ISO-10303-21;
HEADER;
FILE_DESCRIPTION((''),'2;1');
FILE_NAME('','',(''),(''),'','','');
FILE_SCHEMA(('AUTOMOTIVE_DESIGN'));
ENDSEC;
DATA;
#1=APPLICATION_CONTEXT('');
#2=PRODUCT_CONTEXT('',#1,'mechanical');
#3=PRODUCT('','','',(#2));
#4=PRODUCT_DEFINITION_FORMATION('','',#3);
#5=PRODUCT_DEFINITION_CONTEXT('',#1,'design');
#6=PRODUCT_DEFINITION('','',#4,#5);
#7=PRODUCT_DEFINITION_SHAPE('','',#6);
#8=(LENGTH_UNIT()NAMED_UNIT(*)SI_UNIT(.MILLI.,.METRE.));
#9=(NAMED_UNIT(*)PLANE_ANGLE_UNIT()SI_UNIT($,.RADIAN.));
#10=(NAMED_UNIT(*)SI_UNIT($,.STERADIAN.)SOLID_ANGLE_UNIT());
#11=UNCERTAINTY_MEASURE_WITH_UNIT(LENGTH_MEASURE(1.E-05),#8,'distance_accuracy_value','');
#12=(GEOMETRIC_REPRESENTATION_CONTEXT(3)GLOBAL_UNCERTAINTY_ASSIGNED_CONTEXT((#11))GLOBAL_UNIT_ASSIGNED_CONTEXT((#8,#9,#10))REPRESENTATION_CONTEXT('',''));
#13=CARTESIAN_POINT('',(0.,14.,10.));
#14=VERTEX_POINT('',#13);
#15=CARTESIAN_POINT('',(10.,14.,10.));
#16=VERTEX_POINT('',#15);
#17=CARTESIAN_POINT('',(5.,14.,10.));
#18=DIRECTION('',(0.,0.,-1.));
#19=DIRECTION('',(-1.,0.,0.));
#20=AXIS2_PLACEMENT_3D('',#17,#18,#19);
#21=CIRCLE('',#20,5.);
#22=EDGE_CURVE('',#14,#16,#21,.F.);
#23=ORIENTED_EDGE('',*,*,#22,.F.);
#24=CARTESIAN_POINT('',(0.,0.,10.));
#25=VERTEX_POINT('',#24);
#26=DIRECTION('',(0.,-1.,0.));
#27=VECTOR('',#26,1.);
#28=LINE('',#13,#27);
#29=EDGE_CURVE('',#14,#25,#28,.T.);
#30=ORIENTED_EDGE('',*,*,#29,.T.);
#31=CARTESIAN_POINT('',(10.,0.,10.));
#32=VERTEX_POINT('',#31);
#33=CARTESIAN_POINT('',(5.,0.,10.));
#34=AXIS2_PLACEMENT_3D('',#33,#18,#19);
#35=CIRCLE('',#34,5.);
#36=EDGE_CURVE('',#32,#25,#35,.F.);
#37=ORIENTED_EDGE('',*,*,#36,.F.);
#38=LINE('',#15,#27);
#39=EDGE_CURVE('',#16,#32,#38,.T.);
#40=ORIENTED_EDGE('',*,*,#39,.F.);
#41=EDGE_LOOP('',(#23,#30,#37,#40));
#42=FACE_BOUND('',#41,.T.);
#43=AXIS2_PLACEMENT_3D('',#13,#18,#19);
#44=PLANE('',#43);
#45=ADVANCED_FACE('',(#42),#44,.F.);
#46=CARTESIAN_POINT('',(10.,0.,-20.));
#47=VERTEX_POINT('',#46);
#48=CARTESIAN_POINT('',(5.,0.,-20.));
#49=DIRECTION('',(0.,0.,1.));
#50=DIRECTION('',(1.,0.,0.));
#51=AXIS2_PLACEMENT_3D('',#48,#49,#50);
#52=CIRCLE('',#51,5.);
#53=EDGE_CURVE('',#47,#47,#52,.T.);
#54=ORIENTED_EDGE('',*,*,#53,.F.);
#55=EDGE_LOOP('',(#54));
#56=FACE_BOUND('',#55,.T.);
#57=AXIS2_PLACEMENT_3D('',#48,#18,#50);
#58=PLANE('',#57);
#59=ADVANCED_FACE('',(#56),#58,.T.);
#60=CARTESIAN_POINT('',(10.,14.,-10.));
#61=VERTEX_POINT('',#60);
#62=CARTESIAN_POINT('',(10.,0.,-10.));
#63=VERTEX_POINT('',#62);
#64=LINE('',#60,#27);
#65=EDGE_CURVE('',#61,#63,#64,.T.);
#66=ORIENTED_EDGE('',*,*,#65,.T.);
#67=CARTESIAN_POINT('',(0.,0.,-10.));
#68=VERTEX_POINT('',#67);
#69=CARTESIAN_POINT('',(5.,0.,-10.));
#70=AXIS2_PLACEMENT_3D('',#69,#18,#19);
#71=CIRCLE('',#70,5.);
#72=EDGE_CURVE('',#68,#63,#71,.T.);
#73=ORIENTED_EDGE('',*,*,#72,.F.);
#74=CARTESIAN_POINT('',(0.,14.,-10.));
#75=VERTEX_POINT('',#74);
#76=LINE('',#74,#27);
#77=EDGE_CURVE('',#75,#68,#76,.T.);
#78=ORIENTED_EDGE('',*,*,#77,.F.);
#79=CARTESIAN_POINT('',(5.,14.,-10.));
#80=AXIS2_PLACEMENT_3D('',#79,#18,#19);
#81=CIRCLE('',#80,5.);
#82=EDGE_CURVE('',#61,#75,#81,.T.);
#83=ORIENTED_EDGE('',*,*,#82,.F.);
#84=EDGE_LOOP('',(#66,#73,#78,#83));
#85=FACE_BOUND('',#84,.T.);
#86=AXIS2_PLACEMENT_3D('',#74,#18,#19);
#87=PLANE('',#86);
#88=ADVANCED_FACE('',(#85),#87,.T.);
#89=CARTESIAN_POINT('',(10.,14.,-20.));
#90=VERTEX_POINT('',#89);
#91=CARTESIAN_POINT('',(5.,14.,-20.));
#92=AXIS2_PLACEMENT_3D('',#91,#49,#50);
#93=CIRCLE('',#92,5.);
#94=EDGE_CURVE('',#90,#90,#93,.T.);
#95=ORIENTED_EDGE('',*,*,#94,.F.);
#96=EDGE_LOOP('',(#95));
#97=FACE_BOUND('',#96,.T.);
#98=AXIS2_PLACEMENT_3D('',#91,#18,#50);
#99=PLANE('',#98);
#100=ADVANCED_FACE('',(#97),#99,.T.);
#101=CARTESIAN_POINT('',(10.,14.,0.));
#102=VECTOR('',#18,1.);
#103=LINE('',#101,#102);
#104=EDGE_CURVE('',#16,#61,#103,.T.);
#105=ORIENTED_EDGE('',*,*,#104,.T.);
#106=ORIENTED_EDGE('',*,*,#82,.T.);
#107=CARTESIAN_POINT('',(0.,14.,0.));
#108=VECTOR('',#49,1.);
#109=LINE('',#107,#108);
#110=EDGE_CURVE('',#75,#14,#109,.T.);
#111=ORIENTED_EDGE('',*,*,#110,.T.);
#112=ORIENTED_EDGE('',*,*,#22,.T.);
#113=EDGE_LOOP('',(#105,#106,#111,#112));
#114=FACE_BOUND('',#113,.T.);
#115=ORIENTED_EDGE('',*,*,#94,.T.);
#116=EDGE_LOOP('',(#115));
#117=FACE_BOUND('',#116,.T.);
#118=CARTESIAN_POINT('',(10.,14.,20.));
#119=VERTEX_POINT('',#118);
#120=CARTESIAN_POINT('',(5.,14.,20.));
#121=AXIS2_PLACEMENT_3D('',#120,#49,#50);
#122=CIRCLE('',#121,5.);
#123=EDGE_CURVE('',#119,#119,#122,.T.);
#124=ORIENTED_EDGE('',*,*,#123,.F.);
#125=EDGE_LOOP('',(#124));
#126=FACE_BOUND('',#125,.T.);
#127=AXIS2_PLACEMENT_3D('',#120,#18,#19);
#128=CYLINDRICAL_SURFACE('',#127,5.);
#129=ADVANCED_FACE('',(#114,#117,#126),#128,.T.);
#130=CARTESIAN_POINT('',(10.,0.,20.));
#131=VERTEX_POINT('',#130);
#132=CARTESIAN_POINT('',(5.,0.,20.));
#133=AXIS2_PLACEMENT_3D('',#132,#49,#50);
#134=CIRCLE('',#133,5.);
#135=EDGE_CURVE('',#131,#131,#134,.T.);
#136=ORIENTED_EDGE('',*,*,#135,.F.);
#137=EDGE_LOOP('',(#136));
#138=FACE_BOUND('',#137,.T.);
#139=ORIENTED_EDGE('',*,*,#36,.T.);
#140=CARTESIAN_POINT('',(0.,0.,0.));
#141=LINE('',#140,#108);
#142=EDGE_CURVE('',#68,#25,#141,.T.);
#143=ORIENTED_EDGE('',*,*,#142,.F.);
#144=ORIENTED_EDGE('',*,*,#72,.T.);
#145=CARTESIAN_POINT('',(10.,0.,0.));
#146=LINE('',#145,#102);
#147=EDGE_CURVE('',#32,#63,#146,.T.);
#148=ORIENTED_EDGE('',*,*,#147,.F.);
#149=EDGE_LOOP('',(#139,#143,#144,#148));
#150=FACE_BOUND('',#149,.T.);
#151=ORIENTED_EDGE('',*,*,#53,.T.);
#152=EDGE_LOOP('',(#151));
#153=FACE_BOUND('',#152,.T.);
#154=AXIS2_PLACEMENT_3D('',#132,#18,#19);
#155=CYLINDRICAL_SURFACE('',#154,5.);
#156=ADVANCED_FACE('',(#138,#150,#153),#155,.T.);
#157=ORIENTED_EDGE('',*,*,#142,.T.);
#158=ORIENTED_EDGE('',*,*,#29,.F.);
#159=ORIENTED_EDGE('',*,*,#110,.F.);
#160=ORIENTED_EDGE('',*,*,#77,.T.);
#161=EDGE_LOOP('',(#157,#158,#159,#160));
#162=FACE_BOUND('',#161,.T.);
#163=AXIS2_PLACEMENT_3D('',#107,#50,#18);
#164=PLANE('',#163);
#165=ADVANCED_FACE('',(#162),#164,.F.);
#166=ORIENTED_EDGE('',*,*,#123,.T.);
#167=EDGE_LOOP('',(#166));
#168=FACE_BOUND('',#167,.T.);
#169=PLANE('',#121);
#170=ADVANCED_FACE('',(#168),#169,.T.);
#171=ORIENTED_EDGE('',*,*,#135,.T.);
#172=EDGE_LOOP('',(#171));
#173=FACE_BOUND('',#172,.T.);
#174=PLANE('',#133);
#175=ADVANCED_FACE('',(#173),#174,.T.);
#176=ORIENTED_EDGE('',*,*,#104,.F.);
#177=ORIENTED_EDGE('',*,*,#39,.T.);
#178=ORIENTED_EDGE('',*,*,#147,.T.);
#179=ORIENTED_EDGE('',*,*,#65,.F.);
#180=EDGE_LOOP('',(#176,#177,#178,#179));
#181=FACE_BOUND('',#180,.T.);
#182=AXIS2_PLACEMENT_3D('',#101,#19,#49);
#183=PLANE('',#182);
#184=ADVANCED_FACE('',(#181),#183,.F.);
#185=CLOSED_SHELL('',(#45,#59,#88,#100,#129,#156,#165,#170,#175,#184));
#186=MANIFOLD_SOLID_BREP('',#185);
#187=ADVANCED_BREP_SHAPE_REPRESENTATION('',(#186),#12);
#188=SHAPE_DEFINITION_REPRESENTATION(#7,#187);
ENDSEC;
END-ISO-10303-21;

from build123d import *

# Parameters (mm, degrees)
SKETCH1_W           = 10
SKETCH1_H           = 10
BOSS_EXTRUDE1_DEPTH = 14
SKETCH2_R           = 5
BOSS_EXTRUDE2_DEPTH = 20


with BuildPart() as part:
    # Sketch1 → Boss-Extrude1 (new body)
    with BuildSketch(Plane(origin=(0, 0, 0), x_dir=(1, 0, 0), z_dir=(0, 1, 0))):
        with Locations((5, -5)):
            Rectangle(SKETCH1_W, SKETCH1_H)
    boss_extrude1 = extrude(amount=BOSS_EXTRUDE1_DEPTH)

    # Sketch2 → Boss-Extrude2 (add)
    with BuildSketch(Plane.XY):
        with Locations((5, 14)):
            Circle(SKETCH2_R)
        with Locations((5, 0)):
            Circle(SKETCH2_R)
    boss_extrude2 = extrude(amount=BOSS_EXTRUDE2_DEPTH)

    # Mirror1: Boss-Extrude1, Boss-Extrude2 across plane
    add(boss_extrude1.mirror(Plane(origin=(0, 14, 0), x_dir=(1, 0, 0), z_dir=(0, 0, 1))))
    add(boss_extrude2.mirror(Plane(origin=(0, 14, 0), x_dir=(1, 0, 0), z_dir=(0, 0, 1))))


solid = part.part
